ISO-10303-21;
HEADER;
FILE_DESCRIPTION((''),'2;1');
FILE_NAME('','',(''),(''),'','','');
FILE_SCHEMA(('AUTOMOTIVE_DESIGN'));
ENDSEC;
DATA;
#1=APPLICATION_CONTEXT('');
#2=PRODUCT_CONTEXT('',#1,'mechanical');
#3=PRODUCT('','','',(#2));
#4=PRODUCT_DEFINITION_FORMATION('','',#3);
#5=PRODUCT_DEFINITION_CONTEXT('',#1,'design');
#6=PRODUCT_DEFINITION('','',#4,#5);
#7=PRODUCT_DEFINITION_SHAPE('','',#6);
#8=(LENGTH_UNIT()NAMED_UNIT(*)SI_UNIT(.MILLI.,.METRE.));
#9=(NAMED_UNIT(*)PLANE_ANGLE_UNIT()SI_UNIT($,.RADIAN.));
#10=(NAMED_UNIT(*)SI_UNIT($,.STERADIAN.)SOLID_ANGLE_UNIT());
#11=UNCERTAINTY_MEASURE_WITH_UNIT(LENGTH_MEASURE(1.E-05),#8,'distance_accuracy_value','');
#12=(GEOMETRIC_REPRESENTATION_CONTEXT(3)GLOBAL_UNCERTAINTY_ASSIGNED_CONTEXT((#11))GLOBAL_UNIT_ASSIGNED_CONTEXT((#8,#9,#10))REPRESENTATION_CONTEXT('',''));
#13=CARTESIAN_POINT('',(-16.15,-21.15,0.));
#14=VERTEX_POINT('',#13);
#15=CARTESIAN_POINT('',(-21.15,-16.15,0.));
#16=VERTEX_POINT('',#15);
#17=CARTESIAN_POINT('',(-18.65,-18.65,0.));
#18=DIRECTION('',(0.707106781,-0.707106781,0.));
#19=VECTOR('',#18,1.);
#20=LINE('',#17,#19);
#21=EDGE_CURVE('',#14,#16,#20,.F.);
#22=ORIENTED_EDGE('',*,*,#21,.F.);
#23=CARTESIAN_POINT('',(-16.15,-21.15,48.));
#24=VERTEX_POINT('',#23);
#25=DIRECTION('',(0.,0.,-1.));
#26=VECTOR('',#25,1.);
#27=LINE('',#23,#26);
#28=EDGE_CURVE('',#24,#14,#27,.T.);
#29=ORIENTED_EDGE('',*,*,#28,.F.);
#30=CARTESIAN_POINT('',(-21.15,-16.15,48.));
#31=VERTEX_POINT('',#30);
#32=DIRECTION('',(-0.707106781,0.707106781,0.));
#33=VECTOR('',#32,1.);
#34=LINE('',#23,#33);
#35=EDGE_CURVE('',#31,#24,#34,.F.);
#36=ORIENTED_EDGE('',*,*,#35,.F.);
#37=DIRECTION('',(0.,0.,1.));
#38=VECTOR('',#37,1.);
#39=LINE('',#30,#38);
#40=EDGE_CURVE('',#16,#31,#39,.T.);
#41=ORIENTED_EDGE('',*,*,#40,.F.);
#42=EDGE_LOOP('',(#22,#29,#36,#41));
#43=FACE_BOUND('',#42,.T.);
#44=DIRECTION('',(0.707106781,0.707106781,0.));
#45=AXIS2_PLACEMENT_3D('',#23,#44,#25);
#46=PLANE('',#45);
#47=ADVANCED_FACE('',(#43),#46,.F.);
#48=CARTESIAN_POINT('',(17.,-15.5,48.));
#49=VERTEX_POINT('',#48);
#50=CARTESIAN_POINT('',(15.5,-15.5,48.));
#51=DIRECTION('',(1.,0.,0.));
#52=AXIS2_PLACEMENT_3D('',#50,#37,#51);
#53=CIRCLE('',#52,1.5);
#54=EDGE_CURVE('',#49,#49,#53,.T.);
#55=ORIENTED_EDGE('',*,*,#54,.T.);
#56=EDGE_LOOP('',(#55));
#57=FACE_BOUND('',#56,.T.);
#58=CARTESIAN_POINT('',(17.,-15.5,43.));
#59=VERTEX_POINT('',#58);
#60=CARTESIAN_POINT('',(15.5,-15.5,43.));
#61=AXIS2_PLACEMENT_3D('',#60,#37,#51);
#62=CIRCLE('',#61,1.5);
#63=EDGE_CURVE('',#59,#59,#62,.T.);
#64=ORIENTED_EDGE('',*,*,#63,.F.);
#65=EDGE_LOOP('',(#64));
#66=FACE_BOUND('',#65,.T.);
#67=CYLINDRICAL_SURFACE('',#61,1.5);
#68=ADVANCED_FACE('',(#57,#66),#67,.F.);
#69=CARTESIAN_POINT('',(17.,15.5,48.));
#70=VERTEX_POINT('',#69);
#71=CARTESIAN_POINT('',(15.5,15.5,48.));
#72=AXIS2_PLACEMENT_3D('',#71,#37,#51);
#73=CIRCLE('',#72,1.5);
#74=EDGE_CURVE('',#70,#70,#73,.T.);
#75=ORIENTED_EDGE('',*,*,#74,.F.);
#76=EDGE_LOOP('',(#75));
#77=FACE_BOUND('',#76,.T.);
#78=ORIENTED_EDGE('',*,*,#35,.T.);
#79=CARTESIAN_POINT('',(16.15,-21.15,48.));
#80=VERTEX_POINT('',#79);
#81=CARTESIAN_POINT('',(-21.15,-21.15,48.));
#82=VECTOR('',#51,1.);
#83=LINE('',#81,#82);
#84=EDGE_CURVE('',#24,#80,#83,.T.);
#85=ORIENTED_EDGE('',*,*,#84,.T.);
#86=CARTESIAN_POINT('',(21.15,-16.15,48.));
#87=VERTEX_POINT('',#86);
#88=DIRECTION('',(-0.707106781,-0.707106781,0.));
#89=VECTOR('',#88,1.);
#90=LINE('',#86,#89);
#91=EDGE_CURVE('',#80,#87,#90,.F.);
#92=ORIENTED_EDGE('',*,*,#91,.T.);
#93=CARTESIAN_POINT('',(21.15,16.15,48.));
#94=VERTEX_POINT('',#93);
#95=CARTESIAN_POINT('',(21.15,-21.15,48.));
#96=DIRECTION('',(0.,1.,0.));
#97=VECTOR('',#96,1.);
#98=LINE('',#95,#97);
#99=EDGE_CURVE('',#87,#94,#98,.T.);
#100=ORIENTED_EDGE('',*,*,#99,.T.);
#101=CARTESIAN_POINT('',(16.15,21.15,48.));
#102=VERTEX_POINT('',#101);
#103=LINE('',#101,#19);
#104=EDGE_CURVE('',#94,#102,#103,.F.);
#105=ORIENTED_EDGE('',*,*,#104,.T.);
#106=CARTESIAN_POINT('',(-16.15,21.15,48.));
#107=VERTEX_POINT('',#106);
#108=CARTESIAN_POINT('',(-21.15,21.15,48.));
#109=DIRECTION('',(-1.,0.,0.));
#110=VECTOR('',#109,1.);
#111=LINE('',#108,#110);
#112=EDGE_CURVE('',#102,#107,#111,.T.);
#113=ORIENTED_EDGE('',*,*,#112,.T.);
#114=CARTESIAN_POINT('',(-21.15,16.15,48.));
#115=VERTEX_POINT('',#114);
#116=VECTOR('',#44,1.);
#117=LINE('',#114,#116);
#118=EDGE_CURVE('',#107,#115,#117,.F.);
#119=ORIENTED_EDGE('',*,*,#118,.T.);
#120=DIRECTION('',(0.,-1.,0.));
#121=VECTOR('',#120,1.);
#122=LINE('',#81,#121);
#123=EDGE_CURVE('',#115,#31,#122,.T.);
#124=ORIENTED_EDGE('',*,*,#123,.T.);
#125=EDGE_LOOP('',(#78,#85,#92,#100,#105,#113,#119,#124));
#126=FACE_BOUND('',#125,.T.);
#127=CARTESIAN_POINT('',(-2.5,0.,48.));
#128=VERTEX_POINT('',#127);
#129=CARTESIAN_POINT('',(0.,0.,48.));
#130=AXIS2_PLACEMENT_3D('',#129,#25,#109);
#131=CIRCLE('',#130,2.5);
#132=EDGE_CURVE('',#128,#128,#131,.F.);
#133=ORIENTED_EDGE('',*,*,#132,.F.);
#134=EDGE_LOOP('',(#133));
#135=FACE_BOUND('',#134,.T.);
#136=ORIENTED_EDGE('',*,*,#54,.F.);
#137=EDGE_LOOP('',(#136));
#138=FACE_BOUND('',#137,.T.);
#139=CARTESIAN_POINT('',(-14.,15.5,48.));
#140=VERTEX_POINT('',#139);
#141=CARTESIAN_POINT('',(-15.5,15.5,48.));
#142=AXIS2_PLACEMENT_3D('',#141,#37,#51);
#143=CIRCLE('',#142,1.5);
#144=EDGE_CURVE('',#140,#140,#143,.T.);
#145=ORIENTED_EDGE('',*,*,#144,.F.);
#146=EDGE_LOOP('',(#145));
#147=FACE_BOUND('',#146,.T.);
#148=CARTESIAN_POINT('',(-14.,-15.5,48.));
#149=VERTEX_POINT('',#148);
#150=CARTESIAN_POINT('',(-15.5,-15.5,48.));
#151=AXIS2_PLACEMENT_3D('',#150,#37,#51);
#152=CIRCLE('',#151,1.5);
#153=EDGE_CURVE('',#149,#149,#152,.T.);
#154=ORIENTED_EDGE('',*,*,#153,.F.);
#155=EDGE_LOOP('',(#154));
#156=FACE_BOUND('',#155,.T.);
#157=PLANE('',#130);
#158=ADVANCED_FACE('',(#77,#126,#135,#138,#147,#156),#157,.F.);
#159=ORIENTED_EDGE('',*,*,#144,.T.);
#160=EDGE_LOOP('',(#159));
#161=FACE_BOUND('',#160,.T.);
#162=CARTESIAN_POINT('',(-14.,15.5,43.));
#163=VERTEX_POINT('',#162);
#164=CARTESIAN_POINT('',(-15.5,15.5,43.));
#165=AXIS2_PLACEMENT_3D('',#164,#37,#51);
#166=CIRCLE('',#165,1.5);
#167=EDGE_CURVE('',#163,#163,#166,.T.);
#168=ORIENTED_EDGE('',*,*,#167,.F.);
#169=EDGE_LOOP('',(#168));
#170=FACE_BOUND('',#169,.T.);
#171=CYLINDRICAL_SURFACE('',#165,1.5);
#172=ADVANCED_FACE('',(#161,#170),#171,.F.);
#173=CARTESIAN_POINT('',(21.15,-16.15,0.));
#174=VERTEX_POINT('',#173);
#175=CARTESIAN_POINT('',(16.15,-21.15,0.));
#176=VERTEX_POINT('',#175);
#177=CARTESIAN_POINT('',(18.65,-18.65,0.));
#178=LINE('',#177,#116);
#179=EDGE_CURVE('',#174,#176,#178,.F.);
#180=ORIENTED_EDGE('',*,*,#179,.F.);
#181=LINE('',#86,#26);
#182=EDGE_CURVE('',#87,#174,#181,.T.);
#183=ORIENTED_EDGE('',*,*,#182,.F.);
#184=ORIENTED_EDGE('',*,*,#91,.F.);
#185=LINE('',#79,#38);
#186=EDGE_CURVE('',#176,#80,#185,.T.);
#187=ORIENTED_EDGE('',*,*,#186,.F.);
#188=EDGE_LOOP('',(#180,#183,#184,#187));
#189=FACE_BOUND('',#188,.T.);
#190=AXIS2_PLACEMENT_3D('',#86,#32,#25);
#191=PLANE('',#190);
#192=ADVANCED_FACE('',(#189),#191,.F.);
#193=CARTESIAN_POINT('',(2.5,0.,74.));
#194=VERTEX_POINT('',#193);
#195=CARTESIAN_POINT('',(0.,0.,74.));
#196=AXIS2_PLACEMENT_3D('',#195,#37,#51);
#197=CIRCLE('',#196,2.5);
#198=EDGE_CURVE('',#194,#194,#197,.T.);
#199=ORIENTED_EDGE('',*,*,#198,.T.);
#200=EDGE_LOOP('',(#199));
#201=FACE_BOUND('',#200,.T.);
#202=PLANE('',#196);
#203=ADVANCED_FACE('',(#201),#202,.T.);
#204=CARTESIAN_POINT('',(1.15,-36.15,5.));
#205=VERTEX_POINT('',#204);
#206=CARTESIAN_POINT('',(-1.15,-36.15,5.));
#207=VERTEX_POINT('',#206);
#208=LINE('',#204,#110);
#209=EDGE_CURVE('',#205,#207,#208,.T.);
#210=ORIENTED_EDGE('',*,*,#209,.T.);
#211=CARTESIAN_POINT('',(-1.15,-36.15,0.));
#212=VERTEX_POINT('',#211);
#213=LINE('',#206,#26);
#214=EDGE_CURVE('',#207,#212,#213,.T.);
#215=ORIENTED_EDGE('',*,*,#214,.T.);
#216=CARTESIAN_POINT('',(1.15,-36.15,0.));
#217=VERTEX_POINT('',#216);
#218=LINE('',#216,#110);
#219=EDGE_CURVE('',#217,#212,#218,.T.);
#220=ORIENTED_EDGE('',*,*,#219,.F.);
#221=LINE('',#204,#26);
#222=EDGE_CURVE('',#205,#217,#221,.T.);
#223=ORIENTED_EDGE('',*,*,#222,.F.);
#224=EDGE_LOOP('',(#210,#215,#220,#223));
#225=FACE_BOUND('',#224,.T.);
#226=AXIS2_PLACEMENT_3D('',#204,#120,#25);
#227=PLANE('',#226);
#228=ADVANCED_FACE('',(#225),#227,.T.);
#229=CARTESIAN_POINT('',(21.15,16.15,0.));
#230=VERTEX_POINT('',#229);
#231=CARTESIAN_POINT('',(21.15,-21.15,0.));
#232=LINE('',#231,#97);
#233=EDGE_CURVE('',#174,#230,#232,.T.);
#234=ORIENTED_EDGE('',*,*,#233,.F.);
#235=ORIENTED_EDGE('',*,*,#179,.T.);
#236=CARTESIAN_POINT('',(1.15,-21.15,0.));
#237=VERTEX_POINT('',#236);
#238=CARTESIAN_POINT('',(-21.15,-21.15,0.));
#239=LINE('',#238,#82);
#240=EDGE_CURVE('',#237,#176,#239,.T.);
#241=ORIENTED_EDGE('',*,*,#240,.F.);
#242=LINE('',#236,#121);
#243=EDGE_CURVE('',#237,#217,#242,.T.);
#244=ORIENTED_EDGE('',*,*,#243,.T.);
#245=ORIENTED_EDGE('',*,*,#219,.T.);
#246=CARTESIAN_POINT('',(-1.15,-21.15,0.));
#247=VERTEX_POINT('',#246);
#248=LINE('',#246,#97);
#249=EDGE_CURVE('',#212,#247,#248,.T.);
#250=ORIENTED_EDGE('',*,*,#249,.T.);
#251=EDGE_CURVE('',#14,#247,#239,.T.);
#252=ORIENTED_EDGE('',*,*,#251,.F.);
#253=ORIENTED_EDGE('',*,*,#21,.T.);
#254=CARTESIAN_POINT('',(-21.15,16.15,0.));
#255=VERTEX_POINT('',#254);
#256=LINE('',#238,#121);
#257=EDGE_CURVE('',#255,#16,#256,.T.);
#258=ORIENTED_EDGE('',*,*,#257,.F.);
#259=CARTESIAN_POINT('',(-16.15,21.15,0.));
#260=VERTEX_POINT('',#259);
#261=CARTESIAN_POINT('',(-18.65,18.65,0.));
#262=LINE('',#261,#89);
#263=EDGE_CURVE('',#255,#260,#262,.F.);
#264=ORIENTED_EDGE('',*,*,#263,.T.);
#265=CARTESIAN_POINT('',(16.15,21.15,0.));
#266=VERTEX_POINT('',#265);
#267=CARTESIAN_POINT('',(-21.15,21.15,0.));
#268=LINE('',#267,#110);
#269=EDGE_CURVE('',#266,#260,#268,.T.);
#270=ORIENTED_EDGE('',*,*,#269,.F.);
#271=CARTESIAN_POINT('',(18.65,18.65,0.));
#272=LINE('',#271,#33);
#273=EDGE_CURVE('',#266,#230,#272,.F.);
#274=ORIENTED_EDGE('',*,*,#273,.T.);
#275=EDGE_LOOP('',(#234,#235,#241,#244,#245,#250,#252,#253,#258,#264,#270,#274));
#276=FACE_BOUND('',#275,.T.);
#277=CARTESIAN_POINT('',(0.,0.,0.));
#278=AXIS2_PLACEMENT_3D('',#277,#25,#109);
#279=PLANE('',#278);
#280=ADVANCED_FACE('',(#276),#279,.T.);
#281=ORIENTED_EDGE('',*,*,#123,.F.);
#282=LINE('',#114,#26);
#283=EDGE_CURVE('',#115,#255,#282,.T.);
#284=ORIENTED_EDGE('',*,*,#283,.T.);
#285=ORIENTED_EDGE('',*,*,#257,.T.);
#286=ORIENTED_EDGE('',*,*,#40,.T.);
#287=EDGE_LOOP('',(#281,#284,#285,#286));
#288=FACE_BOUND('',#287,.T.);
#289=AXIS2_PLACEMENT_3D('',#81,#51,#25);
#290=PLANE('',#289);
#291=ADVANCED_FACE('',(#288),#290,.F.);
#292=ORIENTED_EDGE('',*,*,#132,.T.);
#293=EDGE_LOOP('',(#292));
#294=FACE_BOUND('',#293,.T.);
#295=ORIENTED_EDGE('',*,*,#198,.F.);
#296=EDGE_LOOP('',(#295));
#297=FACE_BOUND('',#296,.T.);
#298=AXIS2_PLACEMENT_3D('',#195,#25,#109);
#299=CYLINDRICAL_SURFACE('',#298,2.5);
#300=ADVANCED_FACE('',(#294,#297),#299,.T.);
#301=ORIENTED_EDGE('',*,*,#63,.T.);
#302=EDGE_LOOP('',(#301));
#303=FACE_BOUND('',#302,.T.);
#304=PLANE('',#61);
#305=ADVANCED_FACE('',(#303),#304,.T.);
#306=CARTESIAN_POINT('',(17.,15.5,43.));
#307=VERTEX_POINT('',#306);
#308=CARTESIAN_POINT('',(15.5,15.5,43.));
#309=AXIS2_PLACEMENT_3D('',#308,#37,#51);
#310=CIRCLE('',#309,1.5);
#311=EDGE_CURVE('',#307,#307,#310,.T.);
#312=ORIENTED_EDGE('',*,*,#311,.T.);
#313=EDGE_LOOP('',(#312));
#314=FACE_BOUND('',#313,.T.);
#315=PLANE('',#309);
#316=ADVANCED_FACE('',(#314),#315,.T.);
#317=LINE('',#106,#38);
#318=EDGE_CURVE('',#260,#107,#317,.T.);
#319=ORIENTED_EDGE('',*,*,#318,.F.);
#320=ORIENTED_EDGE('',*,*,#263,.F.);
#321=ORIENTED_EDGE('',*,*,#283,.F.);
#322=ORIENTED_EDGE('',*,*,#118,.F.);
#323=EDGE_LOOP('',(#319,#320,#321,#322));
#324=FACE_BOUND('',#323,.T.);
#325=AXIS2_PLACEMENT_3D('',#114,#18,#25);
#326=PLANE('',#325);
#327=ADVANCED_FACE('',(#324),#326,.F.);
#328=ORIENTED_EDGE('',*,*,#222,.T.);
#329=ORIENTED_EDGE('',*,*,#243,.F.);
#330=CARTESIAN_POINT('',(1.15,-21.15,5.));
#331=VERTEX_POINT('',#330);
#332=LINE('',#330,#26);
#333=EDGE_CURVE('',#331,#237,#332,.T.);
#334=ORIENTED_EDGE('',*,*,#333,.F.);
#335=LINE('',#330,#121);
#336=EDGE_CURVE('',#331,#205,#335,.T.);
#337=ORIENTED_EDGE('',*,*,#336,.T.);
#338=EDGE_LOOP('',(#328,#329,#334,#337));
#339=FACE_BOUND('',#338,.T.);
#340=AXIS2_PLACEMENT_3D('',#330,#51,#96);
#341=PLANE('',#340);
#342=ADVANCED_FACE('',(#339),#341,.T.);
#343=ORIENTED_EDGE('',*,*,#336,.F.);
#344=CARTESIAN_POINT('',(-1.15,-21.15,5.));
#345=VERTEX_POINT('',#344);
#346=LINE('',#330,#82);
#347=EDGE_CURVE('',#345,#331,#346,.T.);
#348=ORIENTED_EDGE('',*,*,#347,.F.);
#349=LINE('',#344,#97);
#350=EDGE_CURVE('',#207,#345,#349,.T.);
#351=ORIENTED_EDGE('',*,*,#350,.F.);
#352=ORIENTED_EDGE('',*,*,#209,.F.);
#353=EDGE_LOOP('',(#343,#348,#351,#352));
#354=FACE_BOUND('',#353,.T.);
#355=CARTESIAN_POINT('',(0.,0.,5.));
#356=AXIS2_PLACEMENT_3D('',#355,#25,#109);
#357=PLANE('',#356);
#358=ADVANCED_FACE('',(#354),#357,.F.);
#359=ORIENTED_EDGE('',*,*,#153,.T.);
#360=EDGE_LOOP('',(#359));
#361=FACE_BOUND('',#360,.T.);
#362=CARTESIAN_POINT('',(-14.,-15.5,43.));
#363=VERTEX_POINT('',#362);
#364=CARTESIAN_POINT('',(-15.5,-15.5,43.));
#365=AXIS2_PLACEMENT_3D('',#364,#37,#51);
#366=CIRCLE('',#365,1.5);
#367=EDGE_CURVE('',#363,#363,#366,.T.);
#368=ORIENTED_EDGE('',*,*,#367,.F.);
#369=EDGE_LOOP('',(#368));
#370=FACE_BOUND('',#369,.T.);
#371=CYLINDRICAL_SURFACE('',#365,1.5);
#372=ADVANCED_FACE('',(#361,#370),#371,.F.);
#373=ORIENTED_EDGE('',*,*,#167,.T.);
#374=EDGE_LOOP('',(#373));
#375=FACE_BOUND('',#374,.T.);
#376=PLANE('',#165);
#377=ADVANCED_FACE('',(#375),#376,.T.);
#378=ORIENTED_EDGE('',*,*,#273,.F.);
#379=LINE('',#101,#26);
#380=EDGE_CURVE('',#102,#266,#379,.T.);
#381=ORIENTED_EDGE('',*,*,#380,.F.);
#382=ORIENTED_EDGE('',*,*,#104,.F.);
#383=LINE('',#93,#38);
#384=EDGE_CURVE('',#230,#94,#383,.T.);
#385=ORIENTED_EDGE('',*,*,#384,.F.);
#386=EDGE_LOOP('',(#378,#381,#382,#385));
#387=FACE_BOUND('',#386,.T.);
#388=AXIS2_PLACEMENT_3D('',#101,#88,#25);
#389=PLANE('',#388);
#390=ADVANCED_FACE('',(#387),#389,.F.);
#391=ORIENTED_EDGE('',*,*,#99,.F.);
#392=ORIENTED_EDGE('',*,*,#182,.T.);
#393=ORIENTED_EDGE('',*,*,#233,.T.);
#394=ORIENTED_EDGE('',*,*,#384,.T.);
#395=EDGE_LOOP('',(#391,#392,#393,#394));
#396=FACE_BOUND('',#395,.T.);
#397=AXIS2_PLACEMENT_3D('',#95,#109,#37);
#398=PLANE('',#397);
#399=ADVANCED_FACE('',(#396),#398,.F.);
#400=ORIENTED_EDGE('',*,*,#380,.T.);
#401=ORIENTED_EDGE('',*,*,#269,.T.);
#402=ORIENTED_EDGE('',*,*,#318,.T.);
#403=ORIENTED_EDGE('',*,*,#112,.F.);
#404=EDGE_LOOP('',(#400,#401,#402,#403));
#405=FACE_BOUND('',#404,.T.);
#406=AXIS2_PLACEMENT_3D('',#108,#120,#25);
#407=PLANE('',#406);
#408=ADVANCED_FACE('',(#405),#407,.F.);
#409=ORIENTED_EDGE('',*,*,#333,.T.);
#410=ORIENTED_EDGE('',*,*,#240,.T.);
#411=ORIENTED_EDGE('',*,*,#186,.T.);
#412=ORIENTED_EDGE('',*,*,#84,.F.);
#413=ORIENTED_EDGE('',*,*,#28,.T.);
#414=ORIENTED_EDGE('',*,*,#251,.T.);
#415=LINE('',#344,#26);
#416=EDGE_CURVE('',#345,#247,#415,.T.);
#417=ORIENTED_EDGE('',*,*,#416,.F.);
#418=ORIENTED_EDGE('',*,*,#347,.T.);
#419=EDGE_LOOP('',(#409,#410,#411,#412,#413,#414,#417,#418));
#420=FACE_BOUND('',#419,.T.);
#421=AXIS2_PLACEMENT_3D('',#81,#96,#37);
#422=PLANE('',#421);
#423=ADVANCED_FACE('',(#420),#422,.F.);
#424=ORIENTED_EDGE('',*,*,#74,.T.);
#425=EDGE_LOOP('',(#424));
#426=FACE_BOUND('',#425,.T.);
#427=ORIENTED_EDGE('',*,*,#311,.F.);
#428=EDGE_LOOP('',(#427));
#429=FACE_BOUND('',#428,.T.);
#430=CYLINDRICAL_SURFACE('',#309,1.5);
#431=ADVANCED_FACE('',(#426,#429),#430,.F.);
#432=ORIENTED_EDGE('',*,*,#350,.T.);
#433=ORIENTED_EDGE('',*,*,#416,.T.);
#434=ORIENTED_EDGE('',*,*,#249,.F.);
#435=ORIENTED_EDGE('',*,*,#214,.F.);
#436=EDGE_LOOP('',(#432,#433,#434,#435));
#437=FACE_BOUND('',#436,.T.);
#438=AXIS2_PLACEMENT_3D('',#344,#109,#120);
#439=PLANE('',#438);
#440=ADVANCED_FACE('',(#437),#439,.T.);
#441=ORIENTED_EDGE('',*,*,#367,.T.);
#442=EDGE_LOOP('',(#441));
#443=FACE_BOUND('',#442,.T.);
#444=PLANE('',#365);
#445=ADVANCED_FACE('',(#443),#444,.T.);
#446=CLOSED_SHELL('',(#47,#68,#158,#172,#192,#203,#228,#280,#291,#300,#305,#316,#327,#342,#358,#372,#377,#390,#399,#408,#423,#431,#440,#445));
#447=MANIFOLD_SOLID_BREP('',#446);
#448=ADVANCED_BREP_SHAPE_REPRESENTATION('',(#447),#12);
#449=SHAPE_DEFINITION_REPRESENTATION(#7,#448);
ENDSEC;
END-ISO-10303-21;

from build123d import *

# Parameters (mm, degrees)
SCHIZZO1_W                   = 42.3
SCHIZZO1_H                   = 42.3
ESTRUSIONE_ESTRUSIONE1_DEPTH = 48
SMUSSO1_SIZE                 = 5
SCHIZZO2_R                   = 2.5
ESTRUSIONE_ESTRUSIONE2_DEPTH = 26
SCHIZZO3_W                   = 2.3
SCHIZZO3_H                   = 15
ESTRUSIONE_ESTRUSIONE3_DEPTH = 5
SCHIZZO4_R                   = 1.5
TAGLIO_ESTRUSIONE1_DEPTH     = 5


with BuildPart() as part:
    # Schizzo1 → Estrusione-Estrusione1 (new body)
    with BuildSketch(Plane.XY):
        Rectangle(SCHIZZO1_W, SCHIZZO1_H)
    extrude(amount=ESTRUSIONE_ESTRUSIONE1_DEPTH)

    # Smusso1
    smusso1_edges = [part.edges().sort_by_distance(p)[0] for p in [
        (21.15, -21.15, 24),
        (-21.15, -21.15, 24),
        (-21.15, 21.15, 24),
        (21.15, 21.15, 24),
    ]]
    chamfer(smusso1_edges, length=SMUSSO1_SIZE)

    # Schizzo2 → Estrusione-Estrusione2 (add)
    with BuildSketch(Plane.XY.offset(48)):
        Circle(SCHIZZO2_R)
    extrude(amount=ESTRUSIONE_ESTRUSIONE2_DEPTH)

    # Schizzo3 → Estrusione-Estrusione3 (add)
    with BuildSketch(Plane(origin=(0, 0, 0), x_dir=(-1, 0, 0), z_dir=(0, 0, -1))):
        with Locations((0, -28.65)):
            Rectangle(SCHIZZO3_W, SCHIZZO3_H)
    extrude(amount=-ESTRUSIONE_ESTRUSIONE3_DEPTH)

    # Schizzo4 → Taglio-Estrusione1 (cut)
    with BuildSketch(Plane.XY.offset(48)):
        with Locations((-15.5, 15.5)):
            Circle(SCHIZZO4_R)
        with Locations((-15.5, -15.5)):
            Circle(SCHIZZO4_R)
        with Locations((15.5, -15.5)):
            Circle(SCHIZZO4_R)
        with Locations((15.5, 15.5)):
            Circle(SCHIZZO4_R)
    extrude(amount=-TAGLIO_ESTRUSIONE1_DEPTH, mode=Mode.SUBTRACT)


solid = part.part
